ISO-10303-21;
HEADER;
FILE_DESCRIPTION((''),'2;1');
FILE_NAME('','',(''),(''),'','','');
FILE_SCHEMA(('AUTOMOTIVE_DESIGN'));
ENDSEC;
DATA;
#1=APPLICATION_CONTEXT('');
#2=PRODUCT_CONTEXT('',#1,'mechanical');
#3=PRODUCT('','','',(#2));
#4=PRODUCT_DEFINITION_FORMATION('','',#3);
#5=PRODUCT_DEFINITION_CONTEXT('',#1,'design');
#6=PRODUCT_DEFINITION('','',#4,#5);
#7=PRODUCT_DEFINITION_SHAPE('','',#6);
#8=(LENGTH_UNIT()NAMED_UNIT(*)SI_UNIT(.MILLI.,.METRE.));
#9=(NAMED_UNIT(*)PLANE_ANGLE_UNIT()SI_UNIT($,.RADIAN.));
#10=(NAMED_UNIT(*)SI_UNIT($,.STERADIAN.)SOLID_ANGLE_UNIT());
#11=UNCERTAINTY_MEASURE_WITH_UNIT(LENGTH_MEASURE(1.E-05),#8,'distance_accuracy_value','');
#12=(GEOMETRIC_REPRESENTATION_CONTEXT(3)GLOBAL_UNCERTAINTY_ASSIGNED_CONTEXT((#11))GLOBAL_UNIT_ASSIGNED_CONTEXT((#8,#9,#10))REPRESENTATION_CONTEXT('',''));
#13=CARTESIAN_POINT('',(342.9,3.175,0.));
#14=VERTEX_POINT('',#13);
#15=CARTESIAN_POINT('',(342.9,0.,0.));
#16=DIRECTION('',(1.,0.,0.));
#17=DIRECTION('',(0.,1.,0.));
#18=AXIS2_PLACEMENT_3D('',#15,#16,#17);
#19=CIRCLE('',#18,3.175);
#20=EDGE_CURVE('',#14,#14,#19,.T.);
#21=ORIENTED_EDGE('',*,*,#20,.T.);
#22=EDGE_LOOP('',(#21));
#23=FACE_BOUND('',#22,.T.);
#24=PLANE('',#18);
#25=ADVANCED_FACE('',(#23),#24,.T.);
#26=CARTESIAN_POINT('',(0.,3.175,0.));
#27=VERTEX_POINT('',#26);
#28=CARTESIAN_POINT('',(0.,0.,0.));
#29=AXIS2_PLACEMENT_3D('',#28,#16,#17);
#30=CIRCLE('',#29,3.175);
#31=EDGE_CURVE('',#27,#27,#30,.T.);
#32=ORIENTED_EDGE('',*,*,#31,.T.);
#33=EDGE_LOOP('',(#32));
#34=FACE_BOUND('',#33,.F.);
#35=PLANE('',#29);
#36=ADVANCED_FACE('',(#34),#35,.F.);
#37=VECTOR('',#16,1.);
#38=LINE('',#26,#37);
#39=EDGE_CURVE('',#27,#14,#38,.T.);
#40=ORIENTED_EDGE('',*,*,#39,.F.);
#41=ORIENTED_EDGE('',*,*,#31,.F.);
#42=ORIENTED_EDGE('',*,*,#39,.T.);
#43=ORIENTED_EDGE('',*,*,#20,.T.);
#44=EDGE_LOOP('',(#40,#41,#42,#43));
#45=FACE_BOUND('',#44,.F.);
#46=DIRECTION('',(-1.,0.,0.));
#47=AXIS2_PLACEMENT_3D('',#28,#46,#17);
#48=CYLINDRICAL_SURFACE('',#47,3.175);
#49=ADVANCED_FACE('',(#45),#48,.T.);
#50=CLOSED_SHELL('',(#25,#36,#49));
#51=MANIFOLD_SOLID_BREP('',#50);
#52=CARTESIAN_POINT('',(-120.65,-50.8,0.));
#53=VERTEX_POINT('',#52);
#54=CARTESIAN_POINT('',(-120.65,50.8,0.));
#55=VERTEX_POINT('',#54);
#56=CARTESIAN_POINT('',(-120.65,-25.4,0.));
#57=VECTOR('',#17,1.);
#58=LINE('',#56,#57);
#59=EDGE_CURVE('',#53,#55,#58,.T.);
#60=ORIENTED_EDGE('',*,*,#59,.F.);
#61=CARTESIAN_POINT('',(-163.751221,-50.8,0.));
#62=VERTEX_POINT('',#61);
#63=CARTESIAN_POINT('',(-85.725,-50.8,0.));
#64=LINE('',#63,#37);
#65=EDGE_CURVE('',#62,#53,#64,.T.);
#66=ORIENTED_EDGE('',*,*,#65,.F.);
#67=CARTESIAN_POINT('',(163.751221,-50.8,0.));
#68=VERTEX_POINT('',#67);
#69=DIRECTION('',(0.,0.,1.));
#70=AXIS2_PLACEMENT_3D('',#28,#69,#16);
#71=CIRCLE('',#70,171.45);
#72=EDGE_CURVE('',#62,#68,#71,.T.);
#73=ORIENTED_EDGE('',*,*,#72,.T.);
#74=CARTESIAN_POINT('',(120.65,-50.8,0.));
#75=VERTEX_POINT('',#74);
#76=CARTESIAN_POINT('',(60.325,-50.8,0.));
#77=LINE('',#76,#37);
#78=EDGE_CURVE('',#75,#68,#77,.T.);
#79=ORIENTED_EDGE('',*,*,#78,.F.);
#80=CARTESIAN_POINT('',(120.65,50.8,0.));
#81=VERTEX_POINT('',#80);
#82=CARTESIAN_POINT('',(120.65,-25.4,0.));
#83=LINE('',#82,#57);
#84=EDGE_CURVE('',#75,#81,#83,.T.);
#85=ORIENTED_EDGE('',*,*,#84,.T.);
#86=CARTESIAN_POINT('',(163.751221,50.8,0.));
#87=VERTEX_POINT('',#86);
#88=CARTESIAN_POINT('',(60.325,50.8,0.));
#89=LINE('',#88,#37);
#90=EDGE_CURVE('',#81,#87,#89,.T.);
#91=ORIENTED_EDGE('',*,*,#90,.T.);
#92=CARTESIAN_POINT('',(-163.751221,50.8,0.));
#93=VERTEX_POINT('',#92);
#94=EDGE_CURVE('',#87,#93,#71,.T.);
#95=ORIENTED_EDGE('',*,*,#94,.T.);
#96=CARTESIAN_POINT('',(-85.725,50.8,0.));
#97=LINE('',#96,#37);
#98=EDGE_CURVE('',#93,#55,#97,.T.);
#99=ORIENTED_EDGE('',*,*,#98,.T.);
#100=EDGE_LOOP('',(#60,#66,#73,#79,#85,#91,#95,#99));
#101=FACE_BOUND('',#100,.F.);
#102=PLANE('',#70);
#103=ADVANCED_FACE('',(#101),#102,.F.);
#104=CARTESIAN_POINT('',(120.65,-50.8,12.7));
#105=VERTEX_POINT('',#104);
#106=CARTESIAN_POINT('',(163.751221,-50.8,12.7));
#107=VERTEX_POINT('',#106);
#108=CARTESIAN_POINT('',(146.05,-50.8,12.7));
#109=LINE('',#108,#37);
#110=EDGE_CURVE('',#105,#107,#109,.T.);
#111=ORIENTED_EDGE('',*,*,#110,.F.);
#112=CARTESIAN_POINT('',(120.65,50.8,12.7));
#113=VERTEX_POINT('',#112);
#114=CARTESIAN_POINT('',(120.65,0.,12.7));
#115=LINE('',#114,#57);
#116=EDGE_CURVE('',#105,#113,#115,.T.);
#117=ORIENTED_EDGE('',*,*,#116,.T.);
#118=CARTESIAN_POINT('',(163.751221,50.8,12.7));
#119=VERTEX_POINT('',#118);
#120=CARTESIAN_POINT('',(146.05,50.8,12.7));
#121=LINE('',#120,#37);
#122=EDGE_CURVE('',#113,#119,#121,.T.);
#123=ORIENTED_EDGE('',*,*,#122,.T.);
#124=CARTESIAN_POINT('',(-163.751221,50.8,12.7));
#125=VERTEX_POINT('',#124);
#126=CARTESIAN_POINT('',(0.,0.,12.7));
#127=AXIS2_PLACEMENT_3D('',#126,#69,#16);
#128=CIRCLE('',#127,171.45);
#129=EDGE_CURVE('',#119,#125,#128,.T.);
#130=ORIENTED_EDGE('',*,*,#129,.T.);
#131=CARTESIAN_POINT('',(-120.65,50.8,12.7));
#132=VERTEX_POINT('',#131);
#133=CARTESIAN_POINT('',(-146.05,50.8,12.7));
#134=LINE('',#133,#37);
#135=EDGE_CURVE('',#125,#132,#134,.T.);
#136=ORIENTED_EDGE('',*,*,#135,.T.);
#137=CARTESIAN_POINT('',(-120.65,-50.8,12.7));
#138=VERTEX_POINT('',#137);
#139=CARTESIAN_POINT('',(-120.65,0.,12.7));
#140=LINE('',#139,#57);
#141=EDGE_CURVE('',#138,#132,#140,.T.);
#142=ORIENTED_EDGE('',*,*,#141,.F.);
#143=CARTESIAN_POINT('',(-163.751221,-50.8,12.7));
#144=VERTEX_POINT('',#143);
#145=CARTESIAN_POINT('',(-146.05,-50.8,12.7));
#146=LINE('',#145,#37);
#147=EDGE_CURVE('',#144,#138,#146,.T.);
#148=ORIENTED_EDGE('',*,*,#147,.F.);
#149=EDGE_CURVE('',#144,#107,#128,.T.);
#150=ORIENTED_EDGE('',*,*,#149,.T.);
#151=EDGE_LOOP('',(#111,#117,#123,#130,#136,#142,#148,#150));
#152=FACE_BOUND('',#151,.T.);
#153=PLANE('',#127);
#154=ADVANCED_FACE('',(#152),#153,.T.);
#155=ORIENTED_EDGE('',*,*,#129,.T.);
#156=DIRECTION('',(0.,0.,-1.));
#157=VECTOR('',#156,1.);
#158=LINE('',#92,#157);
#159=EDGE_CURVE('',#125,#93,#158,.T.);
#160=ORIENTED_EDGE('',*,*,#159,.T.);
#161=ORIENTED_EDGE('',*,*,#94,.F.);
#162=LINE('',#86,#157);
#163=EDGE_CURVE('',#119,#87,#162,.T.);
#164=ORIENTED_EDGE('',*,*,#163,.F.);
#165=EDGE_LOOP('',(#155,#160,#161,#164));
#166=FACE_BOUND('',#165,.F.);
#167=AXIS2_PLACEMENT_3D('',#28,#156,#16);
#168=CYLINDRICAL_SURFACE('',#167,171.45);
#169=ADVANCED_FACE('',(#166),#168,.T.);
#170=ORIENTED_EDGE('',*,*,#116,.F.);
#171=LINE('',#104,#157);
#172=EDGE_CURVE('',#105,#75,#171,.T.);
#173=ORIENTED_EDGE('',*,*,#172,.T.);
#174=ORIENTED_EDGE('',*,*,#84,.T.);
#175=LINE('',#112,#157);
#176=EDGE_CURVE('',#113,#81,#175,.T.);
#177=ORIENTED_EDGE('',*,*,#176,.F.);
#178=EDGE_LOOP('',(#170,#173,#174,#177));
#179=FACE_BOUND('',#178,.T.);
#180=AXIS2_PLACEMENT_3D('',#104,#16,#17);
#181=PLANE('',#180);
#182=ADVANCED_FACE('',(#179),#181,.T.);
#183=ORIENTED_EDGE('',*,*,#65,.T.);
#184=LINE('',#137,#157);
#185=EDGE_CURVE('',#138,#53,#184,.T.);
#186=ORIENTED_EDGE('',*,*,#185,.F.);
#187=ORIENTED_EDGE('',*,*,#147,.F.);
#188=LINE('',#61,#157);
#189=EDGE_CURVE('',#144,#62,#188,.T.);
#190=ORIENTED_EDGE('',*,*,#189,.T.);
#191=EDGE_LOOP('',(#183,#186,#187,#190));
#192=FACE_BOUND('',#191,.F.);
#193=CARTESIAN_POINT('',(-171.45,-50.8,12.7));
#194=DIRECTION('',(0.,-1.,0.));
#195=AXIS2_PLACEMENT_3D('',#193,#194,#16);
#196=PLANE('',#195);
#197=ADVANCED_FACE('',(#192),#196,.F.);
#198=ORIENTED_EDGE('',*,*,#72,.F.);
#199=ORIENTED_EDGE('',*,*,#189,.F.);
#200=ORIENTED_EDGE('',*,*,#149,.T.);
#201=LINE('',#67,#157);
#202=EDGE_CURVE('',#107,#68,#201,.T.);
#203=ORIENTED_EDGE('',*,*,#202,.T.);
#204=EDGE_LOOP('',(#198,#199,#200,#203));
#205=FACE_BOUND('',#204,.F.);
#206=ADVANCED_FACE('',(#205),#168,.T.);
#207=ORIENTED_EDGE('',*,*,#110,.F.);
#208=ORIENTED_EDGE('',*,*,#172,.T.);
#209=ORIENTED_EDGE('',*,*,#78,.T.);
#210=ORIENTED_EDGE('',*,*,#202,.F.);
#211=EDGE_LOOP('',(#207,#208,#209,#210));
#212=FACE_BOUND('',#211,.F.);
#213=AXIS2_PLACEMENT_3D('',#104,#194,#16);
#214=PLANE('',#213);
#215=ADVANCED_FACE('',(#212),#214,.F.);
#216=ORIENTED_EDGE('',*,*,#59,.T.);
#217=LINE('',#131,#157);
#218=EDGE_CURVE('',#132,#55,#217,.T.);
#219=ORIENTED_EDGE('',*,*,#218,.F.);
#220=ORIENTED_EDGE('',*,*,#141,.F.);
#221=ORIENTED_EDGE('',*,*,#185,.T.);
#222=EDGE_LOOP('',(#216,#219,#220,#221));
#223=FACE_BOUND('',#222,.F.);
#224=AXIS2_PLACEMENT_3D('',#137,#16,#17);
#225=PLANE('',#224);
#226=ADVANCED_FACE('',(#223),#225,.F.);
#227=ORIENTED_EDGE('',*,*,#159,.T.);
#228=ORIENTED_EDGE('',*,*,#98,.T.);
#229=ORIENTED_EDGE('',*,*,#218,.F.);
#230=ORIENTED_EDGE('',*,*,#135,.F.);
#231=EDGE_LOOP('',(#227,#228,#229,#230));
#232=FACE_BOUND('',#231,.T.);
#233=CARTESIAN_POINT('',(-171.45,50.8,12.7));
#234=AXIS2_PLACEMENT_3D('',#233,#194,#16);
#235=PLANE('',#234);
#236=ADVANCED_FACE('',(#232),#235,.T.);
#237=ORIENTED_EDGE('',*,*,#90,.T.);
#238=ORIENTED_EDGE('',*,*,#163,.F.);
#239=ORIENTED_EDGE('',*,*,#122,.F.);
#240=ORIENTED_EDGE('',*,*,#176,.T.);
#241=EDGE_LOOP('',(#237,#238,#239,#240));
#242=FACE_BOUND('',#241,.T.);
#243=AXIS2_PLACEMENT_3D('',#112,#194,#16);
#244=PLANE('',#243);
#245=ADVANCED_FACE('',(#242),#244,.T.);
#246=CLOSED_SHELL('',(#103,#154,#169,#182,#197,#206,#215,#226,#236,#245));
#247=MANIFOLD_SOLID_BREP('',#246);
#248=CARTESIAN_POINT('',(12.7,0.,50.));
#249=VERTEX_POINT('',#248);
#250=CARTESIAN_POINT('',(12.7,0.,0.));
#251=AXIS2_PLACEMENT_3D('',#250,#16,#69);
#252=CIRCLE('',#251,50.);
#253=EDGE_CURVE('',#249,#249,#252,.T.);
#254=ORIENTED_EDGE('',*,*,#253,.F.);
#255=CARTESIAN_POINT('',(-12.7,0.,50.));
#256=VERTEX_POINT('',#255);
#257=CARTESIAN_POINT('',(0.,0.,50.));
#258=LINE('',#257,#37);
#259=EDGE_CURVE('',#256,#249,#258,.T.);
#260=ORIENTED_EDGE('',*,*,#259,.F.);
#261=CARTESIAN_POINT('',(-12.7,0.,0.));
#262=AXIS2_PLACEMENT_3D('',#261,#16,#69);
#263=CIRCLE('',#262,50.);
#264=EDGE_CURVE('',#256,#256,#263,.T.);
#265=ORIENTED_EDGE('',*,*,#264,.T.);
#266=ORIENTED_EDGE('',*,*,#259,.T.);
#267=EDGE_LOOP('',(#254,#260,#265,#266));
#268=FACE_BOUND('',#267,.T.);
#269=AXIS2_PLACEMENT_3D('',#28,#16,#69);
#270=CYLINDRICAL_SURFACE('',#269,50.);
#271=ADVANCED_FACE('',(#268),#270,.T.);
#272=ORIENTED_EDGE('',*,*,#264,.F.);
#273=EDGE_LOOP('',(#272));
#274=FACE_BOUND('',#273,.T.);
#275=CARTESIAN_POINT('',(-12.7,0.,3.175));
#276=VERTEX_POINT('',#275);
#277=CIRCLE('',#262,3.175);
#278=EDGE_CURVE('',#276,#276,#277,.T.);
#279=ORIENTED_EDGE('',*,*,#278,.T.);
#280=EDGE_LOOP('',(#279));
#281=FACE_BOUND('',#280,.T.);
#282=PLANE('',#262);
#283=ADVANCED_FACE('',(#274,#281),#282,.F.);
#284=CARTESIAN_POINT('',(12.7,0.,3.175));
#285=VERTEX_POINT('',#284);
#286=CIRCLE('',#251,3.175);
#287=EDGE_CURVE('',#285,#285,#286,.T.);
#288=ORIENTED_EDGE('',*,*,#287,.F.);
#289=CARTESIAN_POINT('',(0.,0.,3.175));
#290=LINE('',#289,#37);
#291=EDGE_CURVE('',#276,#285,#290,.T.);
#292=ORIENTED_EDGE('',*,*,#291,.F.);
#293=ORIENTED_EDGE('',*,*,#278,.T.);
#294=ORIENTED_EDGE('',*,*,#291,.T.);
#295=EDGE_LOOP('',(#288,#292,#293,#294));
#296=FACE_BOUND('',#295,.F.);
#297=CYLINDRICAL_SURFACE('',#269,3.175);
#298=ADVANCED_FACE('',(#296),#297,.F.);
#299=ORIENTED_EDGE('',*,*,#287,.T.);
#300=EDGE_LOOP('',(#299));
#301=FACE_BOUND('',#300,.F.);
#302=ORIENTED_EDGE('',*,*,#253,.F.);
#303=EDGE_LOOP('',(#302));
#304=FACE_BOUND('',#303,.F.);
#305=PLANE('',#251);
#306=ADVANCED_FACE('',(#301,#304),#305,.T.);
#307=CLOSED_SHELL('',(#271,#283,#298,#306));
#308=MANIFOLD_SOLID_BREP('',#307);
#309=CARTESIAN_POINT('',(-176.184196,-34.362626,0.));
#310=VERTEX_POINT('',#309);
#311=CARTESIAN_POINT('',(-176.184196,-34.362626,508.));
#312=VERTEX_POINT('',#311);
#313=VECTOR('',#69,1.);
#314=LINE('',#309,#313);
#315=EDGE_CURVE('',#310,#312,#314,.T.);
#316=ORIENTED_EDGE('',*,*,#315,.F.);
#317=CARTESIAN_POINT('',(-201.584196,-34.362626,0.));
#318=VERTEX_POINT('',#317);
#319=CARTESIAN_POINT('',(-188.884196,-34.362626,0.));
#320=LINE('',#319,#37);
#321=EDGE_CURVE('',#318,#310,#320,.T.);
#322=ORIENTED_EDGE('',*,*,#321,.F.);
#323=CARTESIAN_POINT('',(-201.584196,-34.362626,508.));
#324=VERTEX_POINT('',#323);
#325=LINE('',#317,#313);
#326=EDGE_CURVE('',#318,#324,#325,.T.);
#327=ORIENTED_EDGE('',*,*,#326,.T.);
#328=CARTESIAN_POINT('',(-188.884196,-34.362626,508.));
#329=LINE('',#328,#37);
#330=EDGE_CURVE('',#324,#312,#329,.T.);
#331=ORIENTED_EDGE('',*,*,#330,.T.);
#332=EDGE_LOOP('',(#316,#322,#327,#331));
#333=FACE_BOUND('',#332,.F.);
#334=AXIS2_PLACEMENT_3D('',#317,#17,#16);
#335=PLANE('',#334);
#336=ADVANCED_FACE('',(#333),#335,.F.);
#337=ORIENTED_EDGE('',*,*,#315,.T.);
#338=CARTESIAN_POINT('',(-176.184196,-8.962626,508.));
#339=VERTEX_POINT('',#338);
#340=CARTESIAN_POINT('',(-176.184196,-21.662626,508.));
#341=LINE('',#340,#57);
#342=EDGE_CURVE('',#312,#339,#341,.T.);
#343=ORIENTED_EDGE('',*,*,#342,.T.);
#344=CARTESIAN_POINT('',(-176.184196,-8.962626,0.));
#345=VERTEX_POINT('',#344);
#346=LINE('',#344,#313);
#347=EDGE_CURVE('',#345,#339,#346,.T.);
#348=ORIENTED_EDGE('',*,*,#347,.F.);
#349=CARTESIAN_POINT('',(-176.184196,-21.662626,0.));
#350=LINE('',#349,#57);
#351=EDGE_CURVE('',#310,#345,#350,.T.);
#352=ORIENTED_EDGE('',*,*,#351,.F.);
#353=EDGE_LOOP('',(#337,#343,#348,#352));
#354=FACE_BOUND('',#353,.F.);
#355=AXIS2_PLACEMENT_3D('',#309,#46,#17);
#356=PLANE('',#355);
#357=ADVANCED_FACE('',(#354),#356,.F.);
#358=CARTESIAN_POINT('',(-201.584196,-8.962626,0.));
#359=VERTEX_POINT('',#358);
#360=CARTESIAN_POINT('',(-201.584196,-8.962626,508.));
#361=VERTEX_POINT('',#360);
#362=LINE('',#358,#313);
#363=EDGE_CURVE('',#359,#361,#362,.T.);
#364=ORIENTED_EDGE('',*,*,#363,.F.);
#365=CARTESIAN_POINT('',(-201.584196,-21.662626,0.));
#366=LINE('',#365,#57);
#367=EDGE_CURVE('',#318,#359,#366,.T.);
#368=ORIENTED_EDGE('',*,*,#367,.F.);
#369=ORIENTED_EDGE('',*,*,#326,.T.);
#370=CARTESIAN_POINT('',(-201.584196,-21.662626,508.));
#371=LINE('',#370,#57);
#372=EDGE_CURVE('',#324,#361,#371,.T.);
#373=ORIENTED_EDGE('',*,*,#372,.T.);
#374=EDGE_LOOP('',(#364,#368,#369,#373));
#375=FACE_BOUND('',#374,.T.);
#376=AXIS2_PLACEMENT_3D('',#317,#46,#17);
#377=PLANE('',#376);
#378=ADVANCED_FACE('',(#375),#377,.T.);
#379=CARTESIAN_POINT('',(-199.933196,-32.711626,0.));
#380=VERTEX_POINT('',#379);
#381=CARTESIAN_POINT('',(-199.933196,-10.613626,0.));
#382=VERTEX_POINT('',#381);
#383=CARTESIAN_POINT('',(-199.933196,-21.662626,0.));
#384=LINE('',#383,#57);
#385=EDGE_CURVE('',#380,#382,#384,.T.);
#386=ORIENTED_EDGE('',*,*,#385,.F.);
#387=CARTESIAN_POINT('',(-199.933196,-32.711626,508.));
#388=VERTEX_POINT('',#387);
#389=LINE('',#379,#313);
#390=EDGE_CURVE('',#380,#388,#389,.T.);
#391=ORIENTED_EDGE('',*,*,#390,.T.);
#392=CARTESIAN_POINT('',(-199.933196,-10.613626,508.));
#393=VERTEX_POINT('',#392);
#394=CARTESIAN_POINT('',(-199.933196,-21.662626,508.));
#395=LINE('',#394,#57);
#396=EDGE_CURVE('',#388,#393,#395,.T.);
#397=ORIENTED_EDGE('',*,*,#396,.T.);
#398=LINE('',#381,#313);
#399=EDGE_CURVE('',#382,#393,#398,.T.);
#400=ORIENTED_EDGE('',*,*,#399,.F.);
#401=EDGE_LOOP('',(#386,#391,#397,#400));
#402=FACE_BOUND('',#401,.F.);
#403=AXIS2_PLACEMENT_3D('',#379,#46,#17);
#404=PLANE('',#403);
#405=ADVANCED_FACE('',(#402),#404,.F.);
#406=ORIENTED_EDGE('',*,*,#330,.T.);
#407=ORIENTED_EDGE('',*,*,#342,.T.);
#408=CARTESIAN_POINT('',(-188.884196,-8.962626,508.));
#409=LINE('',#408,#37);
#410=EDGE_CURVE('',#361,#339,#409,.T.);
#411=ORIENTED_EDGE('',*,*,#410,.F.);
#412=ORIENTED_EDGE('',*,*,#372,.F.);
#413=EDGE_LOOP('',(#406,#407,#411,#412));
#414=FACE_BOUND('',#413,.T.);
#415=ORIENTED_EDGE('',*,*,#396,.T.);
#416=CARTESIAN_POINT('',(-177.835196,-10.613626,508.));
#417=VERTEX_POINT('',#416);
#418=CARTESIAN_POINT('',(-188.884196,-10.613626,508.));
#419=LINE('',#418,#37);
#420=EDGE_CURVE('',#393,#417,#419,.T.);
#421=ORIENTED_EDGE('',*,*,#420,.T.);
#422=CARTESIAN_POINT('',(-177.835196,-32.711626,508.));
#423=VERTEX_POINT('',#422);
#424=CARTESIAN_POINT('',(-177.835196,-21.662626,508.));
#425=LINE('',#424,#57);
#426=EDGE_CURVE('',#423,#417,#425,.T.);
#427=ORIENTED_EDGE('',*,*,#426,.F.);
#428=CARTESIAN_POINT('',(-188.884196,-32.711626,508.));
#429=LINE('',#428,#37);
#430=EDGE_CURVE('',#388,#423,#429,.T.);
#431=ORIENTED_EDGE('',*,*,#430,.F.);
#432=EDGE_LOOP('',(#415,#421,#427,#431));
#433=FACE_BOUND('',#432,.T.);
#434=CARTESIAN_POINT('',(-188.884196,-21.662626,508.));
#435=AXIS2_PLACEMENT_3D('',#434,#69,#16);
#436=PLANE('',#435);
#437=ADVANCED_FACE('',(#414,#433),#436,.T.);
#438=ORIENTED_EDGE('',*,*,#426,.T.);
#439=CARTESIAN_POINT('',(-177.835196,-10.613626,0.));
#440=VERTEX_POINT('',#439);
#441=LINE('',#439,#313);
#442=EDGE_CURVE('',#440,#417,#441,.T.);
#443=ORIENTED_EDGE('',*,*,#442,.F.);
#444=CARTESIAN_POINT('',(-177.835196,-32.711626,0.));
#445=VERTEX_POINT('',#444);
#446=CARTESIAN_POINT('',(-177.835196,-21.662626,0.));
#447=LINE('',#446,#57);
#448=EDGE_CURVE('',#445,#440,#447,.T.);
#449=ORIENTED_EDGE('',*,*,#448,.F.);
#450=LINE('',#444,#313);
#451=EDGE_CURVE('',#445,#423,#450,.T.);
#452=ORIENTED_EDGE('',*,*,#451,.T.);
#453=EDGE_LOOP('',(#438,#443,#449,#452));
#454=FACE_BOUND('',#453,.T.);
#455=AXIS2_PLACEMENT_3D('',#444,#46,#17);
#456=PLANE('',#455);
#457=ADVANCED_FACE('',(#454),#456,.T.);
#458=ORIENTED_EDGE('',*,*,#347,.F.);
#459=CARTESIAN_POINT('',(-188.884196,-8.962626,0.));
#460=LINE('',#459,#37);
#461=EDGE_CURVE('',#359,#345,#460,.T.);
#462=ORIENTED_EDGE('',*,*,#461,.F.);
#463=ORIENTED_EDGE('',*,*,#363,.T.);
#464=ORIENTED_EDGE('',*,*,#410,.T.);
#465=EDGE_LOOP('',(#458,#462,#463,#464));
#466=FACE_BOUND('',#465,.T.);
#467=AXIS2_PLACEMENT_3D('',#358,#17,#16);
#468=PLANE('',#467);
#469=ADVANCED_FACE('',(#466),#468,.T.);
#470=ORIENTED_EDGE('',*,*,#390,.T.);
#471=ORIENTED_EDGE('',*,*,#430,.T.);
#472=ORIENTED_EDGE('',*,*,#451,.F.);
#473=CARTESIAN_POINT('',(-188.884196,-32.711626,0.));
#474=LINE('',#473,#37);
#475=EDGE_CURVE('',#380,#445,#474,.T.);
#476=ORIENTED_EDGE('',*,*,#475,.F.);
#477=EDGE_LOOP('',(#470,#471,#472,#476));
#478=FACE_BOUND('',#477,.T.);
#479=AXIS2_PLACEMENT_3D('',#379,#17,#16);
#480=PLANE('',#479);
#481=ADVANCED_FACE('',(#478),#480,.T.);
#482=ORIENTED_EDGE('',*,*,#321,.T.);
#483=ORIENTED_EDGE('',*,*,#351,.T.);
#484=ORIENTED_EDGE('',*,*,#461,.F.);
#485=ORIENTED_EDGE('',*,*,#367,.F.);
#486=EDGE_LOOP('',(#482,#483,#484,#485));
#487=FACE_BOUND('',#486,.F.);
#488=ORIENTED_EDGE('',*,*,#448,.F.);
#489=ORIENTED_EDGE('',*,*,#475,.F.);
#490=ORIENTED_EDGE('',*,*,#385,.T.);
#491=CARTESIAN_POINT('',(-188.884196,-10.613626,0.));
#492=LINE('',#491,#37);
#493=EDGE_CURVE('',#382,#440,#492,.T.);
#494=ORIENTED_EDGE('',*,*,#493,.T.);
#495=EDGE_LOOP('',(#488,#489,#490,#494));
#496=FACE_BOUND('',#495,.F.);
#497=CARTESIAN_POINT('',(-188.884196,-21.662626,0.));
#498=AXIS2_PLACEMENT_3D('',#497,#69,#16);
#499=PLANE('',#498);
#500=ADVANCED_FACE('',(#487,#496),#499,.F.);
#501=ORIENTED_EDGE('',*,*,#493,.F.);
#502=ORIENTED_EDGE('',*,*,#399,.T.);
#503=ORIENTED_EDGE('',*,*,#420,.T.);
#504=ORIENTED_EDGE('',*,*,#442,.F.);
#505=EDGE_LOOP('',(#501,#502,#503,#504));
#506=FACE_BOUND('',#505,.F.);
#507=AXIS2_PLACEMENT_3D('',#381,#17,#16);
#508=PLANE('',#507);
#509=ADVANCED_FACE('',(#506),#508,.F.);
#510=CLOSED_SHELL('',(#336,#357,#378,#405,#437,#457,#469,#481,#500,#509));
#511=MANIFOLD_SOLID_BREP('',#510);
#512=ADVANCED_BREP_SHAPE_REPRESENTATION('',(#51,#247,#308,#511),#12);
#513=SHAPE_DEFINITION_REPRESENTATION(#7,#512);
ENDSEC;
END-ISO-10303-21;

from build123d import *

# Parameters (mm, degrees)
F0_R     = 171.45
F1_DEPTH = 12.7
F2_W     = 50.8
F2_H     = 101.6
F3_DEPTH = 12.701
F4_W     = 25.4
F4_H     = 46.825
F6_R     = 3.175
F7_DEPTH = 342.9
F8_W     = 25.4
F8_H     = 25.4
F8_W_2   = 22.098
F8_H_2   = 22.098
F9_DEPTH = 508


with BuildPart() as f1:
    # F0 (on Top) → F1 (new body)
    with BuildSketch(Plane.XY):
        Circle(F0_R)
    extrude(amount=F1_DEPTH)

    # F2 (on face) → F3 (cut, through all)
    with BuildSketch(Plane.XY.offset(12.7)):
        with Locations((-146.05, 0)):
            Rectangle(F2_W, F2_H)
        with Locations((146.05, 0)):
            Rectangle(F2_W, F2_H)
    extrude(amount=-F3_DEPTH, mode=Mode.SUBTRACT)


with BuildPart() as f5:
    # F4 (on Front) → F5 (revolve)
    with BuildSketch(Plane.XZ):
        with Locations((0, 26.5875)):
            Rectangle(F4_W, F4_H)
    revolve(axis=Axis((2.3544135088, 0, 0), (1, 0, 0)))


with BuildPart() as f7:
    # F6 (on Right) → F7 (new body)
    with BuildSketch(Plane.YZ):
        Circle(F6_R)
    extrude(amount=F7_DEPTH)


with BuildPart() as f9:
    # F8 (on Top) → F9 (new body)
    with BuildSketch(Plane.XY):
        with Locations((-188.8841964616, -21.6626264155)):
            Rectangle(F8_W, F8_H)
        with Locations((-188.8841964616, -21.6626264155)):
            Rectangle(F8_W_2, F8_H_2, mode=Mode.SUBTRACT)
    extrude(amount=F9_DEPTH)


solid = Compound([f1.part, f5.part, f7.part, f9.part])
